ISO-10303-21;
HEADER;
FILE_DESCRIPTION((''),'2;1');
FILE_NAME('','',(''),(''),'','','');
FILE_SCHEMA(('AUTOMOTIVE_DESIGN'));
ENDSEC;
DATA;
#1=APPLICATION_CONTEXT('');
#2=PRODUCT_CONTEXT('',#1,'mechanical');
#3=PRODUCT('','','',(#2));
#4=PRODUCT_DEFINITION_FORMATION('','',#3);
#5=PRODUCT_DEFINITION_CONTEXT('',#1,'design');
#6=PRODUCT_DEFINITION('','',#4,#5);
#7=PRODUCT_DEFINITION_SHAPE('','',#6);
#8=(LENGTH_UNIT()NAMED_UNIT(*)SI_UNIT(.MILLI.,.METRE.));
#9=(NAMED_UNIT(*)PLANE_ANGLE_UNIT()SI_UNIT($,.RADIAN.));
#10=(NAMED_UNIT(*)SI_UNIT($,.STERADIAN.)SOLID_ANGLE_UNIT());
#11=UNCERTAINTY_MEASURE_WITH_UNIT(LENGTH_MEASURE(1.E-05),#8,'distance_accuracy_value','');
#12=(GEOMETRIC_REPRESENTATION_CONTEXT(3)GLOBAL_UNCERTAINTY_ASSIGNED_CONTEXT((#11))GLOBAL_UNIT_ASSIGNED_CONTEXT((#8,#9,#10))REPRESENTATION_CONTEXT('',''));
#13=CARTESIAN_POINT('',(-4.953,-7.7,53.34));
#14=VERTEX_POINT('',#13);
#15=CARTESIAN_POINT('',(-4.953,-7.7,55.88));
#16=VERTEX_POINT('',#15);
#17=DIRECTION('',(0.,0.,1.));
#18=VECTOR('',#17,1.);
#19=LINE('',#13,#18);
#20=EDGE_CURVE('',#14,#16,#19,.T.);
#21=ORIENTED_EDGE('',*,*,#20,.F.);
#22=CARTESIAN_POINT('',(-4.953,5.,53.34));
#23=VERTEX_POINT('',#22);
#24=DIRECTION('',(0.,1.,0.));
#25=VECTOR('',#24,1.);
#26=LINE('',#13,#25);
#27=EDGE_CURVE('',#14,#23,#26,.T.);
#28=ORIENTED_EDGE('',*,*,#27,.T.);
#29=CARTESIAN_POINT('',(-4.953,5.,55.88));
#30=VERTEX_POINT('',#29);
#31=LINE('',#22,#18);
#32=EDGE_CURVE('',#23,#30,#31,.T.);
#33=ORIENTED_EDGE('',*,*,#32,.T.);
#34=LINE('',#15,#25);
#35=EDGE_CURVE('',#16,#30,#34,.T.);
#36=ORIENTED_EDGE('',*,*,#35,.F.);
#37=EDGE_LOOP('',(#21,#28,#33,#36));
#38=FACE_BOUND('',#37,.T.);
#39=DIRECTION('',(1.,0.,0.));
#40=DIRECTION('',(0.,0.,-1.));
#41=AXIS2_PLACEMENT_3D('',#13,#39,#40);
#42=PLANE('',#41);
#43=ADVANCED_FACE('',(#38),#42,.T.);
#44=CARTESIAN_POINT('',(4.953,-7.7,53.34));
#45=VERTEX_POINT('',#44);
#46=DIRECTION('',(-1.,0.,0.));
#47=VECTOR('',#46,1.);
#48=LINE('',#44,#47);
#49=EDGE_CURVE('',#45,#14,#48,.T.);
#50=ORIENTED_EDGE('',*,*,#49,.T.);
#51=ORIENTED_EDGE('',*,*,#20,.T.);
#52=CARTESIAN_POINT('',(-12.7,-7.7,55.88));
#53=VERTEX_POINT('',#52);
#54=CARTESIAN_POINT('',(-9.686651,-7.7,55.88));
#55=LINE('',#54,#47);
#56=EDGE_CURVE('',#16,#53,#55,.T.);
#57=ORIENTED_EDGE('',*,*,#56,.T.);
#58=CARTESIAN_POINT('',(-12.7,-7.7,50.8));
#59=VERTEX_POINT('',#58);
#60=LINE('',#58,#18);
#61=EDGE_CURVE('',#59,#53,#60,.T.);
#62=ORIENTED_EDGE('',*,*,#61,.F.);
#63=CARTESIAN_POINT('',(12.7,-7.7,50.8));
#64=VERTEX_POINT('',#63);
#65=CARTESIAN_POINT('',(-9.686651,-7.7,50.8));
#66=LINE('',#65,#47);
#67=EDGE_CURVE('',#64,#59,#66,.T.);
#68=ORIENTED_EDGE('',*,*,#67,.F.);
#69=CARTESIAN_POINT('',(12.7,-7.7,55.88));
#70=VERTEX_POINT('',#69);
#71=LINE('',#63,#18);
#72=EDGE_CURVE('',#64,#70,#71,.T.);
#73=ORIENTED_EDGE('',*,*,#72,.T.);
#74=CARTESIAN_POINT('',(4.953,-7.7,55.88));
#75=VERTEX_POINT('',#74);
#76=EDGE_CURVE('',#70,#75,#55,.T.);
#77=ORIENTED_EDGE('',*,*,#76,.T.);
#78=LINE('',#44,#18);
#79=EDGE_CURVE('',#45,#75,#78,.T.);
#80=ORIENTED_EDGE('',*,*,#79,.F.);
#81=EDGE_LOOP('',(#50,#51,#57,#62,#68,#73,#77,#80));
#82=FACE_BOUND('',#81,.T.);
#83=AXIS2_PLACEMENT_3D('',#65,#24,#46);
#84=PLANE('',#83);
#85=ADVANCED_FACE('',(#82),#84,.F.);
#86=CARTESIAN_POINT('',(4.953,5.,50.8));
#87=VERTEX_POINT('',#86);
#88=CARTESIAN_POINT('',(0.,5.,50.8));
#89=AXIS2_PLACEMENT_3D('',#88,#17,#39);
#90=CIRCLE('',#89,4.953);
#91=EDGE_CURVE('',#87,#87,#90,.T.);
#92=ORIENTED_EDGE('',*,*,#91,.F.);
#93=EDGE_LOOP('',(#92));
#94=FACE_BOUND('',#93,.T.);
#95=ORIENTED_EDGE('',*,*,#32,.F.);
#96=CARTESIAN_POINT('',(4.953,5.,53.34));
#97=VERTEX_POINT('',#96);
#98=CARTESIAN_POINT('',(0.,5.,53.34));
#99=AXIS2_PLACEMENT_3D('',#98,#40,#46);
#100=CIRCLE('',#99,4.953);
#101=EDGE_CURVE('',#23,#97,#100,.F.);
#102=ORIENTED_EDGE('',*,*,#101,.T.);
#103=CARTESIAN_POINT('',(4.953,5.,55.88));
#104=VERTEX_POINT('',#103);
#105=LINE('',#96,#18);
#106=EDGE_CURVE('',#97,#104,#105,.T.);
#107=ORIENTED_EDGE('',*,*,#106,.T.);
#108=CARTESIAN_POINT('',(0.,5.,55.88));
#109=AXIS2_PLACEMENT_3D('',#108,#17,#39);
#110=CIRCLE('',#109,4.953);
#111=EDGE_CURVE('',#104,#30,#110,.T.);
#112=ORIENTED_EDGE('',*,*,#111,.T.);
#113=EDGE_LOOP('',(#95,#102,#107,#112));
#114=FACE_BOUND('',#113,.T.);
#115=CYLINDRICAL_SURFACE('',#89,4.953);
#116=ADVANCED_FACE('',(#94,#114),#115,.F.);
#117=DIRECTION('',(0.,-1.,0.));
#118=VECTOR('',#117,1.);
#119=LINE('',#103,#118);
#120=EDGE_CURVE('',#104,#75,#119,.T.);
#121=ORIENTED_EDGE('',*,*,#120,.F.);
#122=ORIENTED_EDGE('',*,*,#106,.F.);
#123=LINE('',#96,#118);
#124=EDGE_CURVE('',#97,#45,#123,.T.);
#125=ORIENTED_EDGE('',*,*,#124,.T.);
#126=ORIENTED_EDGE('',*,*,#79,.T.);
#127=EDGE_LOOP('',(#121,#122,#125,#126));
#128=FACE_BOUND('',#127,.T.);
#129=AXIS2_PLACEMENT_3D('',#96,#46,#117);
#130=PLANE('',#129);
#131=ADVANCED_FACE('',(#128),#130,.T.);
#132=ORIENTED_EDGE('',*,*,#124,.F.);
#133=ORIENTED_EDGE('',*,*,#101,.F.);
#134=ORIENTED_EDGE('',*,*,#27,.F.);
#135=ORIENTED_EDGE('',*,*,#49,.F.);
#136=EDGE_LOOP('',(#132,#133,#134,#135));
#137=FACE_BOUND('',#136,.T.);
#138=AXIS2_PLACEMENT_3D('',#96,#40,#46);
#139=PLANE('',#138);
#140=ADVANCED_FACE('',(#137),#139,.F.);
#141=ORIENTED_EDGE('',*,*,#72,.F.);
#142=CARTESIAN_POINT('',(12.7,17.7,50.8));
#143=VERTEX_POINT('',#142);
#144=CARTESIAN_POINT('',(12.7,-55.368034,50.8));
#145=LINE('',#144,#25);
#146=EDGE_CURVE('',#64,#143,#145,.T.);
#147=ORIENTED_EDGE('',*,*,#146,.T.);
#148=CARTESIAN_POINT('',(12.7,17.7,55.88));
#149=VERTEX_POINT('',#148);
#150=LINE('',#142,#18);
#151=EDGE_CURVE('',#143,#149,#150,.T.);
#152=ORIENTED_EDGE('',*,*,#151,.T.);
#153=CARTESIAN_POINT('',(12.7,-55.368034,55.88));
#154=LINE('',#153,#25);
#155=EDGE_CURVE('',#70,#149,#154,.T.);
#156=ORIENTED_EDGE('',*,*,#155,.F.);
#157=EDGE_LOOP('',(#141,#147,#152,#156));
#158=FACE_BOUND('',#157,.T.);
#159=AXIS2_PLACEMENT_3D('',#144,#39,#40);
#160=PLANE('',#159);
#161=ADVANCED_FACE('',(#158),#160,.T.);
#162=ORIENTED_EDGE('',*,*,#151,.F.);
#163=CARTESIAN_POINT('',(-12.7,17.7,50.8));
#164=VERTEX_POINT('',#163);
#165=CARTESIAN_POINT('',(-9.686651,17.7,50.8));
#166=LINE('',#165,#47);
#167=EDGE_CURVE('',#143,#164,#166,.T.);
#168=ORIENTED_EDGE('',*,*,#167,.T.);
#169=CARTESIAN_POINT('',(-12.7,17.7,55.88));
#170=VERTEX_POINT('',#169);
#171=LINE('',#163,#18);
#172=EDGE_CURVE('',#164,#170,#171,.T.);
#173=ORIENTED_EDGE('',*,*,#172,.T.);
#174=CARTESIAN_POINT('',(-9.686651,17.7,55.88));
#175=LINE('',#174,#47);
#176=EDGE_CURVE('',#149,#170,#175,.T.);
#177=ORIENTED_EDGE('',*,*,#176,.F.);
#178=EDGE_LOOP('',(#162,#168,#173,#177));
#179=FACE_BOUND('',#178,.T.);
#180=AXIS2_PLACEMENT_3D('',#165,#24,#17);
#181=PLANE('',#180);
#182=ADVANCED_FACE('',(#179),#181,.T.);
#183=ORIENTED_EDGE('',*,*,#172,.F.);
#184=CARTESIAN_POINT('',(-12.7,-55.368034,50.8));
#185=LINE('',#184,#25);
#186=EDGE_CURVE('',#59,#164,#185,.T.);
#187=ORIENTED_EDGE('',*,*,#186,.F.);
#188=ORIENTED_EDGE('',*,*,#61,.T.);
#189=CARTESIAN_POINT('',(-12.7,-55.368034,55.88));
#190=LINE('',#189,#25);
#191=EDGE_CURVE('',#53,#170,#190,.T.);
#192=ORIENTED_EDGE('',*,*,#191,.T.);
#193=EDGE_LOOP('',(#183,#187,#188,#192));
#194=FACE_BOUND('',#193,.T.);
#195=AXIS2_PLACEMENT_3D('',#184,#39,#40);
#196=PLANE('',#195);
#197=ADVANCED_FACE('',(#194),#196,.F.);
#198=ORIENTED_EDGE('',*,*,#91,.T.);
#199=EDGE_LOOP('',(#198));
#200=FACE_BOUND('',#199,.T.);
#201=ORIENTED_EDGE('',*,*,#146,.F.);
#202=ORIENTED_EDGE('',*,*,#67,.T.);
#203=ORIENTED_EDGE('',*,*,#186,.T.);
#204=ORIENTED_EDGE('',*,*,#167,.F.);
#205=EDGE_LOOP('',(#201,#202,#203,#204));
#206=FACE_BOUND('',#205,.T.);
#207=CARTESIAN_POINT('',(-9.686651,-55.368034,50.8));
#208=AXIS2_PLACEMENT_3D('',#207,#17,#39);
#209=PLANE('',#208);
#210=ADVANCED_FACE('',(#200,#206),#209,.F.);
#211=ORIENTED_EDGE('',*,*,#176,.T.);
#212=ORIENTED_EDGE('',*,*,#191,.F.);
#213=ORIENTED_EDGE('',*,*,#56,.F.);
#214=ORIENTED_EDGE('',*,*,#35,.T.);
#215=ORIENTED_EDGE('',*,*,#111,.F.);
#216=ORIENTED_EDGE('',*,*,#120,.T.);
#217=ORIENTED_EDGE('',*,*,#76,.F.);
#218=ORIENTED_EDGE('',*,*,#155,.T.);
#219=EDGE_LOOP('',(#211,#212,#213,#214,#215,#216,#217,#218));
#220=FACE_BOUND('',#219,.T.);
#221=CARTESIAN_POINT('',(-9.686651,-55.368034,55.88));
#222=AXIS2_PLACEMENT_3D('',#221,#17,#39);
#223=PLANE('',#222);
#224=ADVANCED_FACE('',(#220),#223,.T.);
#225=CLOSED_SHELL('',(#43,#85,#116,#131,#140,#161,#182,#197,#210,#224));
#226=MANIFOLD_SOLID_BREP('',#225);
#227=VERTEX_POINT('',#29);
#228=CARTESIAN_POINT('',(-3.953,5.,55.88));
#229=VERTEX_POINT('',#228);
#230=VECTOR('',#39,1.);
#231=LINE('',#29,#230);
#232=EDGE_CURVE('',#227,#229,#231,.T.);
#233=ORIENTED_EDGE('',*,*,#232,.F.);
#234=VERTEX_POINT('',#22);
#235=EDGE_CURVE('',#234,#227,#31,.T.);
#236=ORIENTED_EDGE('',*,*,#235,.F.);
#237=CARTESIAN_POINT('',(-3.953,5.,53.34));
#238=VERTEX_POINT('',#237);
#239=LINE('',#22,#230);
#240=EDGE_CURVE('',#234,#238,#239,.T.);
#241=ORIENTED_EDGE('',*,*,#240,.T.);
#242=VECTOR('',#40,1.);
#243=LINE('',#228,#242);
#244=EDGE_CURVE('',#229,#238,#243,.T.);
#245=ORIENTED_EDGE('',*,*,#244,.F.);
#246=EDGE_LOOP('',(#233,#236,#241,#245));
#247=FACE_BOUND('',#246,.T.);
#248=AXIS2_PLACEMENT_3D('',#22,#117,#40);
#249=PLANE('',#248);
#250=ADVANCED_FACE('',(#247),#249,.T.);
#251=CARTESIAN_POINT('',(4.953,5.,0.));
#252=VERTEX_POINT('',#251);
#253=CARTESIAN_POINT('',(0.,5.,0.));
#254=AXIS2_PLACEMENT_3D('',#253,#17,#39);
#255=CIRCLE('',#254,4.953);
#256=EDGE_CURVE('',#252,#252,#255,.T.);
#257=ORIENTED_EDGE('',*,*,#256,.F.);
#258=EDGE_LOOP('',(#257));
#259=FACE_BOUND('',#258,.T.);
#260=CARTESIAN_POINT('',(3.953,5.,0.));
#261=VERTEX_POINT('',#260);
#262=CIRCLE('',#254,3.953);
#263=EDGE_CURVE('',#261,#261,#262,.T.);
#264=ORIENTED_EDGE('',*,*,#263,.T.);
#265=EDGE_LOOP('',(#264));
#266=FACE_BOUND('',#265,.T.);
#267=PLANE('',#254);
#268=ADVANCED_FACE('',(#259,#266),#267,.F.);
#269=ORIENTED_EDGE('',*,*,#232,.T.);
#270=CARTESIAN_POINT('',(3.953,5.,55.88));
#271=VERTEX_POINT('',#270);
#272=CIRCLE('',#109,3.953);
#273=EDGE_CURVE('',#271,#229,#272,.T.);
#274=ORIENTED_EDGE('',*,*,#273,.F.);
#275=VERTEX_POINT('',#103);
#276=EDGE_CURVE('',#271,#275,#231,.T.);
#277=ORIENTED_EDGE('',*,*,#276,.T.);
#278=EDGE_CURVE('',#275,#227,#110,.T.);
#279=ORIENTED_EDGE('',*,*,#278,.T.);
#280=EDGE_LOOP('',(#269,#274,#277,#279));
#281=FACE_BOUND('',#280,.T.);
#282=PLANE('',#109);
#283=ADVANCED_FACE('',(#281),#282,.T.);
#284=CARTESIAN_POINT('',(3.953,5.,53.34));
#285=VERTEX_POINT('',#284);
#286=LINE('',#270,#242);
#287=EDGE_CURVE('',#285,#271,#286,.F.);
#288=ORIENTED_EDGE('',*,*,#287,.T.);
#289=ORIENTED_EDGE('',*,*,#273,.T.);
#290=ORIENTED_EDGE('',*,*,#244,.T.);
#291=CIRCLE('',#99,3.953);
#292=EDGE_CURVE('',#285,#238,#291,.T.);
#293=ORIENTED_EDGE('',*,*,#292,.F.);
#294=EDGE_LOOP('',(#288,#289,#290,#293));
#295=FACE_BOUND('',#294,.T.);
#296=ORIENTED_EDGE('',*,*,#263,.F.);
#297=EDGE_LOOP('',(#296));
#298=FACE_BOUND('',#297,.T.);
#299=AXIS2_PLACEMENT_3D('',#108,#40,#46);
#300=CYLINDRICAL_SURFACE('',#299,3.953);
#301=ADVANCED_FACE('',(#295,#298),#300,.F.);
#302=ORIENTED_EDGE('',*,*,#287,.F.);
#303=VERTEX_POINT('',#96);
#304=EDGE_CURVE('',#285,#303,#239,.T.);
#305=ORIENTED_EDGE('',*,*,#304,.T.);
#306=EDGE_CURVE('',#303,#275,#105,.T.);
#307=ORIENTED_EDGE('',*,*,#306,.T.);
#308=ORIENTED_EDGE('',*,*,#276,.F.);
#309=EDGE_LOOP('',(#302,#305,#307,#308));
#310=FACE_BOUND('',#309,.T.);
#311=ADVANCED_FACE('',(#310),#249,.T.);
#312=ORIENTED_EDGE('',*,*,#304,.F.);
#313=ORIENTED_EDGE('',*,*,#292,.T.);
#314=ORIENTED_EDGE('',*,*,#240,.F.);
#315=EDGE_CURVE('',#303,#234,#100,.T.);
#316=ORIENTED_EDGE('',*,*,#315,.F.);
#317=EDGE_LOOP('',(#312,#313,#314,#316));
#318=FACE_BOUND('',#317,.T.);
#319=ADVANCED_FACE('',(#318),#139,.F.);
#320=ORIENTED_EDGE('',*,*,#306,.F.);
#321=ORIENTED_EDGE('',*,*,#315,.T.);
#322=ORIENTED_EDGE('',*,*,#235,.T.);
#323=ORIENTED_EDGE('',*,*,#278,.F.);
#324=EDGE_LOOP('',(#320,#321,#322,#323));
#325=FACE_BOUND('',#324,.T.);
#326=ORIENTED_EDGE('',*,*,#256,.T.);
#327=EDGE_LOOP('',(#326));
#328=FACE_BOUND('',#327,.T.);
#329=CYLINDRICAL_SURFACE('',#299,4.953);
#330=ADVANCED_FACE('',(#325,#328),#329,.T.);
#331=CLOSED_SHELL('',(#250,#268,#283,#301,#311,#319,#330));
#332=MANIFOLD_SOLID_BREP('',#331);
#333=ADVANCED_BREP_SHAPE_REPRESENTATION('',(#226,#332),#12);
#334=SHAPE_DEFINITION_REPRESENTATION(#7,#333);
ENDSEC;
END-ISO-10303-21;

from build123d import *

# Parameters (mm, degrees)
SKETCH1_R           = 4.953
SKETCH1_R_2         = 3.953
BOSS_EXTRUDE1_DEPTH = 55.88
SKETCH2_W           = 25.4
SKETCH2_H           = 25.4
SKETCH2_R           = 4.953
BOSS_EXTRUDE2_DEPTH = 5.08
SKETCH4_W           = 9.906
SKETCH4_H           = 12.7
CUT_EXTRUDE1_DEPTH  = 2.54


with BuildPart() as part:
    # Sketch1 → Boss-Extrude1 (new body)
    with BuildSketch(Plane.XY):
        with Locations((0, 5)):
            Circle(SKETCH1_R)
        with Locations((0, 5)):
            Circle(SKETCH1_R_2, mode=Mode.SUBTRACT)
    extrude(amount=BOSS_EXTRUDE1_DEPTH)


with BuildPart() as body_2:
    # Sketch2 → Boss-Extrude2 (new body)
    with BuildSketch(Plane.XY.offset(55.88)):
        with Locations((0, 5)):
            Rectangle(SKETCH2_W, SKETCH2_H)
        with Locations((0, 5)):
            Circle(SKETCH2_R, mode=Mode.SUBTRACT)
    extrude(amount=-BOSS_EXTRUDE2_DEPTH)


with BuildPart() as cut_extrude1_tool:
    # Sketch4 → Cut-Extrude1 (new body)
    with BuildSketch(Plane(origin=(0, 0, 55.88), x_dir=(-1, 0, 0), z_dir=(0, 0, -1))):
        with Locations((0, -1.35)):
            Rectangle(SKETCH4_W, SKETCH4_H)
    extrude(amount=CUT_EXTRUDE1_DEPTH)


with BuildPart() as part_1:
    add(part.part)

    # Cut-Extrude1: cut by cut_extrude1_tool
    add(cut_extrude1_tool.part, mode=Mode.SUBTRACT)


with BuildPart() as body_2_1:
    add(body_2.part)

    # Cut-Extrude1: cut by cut_extrude1_tool
    add(cut_extrude1_tool.part, mode=Mode.SUBTRACT)


solid = Compound([part_1.part, body_2_1.part])
